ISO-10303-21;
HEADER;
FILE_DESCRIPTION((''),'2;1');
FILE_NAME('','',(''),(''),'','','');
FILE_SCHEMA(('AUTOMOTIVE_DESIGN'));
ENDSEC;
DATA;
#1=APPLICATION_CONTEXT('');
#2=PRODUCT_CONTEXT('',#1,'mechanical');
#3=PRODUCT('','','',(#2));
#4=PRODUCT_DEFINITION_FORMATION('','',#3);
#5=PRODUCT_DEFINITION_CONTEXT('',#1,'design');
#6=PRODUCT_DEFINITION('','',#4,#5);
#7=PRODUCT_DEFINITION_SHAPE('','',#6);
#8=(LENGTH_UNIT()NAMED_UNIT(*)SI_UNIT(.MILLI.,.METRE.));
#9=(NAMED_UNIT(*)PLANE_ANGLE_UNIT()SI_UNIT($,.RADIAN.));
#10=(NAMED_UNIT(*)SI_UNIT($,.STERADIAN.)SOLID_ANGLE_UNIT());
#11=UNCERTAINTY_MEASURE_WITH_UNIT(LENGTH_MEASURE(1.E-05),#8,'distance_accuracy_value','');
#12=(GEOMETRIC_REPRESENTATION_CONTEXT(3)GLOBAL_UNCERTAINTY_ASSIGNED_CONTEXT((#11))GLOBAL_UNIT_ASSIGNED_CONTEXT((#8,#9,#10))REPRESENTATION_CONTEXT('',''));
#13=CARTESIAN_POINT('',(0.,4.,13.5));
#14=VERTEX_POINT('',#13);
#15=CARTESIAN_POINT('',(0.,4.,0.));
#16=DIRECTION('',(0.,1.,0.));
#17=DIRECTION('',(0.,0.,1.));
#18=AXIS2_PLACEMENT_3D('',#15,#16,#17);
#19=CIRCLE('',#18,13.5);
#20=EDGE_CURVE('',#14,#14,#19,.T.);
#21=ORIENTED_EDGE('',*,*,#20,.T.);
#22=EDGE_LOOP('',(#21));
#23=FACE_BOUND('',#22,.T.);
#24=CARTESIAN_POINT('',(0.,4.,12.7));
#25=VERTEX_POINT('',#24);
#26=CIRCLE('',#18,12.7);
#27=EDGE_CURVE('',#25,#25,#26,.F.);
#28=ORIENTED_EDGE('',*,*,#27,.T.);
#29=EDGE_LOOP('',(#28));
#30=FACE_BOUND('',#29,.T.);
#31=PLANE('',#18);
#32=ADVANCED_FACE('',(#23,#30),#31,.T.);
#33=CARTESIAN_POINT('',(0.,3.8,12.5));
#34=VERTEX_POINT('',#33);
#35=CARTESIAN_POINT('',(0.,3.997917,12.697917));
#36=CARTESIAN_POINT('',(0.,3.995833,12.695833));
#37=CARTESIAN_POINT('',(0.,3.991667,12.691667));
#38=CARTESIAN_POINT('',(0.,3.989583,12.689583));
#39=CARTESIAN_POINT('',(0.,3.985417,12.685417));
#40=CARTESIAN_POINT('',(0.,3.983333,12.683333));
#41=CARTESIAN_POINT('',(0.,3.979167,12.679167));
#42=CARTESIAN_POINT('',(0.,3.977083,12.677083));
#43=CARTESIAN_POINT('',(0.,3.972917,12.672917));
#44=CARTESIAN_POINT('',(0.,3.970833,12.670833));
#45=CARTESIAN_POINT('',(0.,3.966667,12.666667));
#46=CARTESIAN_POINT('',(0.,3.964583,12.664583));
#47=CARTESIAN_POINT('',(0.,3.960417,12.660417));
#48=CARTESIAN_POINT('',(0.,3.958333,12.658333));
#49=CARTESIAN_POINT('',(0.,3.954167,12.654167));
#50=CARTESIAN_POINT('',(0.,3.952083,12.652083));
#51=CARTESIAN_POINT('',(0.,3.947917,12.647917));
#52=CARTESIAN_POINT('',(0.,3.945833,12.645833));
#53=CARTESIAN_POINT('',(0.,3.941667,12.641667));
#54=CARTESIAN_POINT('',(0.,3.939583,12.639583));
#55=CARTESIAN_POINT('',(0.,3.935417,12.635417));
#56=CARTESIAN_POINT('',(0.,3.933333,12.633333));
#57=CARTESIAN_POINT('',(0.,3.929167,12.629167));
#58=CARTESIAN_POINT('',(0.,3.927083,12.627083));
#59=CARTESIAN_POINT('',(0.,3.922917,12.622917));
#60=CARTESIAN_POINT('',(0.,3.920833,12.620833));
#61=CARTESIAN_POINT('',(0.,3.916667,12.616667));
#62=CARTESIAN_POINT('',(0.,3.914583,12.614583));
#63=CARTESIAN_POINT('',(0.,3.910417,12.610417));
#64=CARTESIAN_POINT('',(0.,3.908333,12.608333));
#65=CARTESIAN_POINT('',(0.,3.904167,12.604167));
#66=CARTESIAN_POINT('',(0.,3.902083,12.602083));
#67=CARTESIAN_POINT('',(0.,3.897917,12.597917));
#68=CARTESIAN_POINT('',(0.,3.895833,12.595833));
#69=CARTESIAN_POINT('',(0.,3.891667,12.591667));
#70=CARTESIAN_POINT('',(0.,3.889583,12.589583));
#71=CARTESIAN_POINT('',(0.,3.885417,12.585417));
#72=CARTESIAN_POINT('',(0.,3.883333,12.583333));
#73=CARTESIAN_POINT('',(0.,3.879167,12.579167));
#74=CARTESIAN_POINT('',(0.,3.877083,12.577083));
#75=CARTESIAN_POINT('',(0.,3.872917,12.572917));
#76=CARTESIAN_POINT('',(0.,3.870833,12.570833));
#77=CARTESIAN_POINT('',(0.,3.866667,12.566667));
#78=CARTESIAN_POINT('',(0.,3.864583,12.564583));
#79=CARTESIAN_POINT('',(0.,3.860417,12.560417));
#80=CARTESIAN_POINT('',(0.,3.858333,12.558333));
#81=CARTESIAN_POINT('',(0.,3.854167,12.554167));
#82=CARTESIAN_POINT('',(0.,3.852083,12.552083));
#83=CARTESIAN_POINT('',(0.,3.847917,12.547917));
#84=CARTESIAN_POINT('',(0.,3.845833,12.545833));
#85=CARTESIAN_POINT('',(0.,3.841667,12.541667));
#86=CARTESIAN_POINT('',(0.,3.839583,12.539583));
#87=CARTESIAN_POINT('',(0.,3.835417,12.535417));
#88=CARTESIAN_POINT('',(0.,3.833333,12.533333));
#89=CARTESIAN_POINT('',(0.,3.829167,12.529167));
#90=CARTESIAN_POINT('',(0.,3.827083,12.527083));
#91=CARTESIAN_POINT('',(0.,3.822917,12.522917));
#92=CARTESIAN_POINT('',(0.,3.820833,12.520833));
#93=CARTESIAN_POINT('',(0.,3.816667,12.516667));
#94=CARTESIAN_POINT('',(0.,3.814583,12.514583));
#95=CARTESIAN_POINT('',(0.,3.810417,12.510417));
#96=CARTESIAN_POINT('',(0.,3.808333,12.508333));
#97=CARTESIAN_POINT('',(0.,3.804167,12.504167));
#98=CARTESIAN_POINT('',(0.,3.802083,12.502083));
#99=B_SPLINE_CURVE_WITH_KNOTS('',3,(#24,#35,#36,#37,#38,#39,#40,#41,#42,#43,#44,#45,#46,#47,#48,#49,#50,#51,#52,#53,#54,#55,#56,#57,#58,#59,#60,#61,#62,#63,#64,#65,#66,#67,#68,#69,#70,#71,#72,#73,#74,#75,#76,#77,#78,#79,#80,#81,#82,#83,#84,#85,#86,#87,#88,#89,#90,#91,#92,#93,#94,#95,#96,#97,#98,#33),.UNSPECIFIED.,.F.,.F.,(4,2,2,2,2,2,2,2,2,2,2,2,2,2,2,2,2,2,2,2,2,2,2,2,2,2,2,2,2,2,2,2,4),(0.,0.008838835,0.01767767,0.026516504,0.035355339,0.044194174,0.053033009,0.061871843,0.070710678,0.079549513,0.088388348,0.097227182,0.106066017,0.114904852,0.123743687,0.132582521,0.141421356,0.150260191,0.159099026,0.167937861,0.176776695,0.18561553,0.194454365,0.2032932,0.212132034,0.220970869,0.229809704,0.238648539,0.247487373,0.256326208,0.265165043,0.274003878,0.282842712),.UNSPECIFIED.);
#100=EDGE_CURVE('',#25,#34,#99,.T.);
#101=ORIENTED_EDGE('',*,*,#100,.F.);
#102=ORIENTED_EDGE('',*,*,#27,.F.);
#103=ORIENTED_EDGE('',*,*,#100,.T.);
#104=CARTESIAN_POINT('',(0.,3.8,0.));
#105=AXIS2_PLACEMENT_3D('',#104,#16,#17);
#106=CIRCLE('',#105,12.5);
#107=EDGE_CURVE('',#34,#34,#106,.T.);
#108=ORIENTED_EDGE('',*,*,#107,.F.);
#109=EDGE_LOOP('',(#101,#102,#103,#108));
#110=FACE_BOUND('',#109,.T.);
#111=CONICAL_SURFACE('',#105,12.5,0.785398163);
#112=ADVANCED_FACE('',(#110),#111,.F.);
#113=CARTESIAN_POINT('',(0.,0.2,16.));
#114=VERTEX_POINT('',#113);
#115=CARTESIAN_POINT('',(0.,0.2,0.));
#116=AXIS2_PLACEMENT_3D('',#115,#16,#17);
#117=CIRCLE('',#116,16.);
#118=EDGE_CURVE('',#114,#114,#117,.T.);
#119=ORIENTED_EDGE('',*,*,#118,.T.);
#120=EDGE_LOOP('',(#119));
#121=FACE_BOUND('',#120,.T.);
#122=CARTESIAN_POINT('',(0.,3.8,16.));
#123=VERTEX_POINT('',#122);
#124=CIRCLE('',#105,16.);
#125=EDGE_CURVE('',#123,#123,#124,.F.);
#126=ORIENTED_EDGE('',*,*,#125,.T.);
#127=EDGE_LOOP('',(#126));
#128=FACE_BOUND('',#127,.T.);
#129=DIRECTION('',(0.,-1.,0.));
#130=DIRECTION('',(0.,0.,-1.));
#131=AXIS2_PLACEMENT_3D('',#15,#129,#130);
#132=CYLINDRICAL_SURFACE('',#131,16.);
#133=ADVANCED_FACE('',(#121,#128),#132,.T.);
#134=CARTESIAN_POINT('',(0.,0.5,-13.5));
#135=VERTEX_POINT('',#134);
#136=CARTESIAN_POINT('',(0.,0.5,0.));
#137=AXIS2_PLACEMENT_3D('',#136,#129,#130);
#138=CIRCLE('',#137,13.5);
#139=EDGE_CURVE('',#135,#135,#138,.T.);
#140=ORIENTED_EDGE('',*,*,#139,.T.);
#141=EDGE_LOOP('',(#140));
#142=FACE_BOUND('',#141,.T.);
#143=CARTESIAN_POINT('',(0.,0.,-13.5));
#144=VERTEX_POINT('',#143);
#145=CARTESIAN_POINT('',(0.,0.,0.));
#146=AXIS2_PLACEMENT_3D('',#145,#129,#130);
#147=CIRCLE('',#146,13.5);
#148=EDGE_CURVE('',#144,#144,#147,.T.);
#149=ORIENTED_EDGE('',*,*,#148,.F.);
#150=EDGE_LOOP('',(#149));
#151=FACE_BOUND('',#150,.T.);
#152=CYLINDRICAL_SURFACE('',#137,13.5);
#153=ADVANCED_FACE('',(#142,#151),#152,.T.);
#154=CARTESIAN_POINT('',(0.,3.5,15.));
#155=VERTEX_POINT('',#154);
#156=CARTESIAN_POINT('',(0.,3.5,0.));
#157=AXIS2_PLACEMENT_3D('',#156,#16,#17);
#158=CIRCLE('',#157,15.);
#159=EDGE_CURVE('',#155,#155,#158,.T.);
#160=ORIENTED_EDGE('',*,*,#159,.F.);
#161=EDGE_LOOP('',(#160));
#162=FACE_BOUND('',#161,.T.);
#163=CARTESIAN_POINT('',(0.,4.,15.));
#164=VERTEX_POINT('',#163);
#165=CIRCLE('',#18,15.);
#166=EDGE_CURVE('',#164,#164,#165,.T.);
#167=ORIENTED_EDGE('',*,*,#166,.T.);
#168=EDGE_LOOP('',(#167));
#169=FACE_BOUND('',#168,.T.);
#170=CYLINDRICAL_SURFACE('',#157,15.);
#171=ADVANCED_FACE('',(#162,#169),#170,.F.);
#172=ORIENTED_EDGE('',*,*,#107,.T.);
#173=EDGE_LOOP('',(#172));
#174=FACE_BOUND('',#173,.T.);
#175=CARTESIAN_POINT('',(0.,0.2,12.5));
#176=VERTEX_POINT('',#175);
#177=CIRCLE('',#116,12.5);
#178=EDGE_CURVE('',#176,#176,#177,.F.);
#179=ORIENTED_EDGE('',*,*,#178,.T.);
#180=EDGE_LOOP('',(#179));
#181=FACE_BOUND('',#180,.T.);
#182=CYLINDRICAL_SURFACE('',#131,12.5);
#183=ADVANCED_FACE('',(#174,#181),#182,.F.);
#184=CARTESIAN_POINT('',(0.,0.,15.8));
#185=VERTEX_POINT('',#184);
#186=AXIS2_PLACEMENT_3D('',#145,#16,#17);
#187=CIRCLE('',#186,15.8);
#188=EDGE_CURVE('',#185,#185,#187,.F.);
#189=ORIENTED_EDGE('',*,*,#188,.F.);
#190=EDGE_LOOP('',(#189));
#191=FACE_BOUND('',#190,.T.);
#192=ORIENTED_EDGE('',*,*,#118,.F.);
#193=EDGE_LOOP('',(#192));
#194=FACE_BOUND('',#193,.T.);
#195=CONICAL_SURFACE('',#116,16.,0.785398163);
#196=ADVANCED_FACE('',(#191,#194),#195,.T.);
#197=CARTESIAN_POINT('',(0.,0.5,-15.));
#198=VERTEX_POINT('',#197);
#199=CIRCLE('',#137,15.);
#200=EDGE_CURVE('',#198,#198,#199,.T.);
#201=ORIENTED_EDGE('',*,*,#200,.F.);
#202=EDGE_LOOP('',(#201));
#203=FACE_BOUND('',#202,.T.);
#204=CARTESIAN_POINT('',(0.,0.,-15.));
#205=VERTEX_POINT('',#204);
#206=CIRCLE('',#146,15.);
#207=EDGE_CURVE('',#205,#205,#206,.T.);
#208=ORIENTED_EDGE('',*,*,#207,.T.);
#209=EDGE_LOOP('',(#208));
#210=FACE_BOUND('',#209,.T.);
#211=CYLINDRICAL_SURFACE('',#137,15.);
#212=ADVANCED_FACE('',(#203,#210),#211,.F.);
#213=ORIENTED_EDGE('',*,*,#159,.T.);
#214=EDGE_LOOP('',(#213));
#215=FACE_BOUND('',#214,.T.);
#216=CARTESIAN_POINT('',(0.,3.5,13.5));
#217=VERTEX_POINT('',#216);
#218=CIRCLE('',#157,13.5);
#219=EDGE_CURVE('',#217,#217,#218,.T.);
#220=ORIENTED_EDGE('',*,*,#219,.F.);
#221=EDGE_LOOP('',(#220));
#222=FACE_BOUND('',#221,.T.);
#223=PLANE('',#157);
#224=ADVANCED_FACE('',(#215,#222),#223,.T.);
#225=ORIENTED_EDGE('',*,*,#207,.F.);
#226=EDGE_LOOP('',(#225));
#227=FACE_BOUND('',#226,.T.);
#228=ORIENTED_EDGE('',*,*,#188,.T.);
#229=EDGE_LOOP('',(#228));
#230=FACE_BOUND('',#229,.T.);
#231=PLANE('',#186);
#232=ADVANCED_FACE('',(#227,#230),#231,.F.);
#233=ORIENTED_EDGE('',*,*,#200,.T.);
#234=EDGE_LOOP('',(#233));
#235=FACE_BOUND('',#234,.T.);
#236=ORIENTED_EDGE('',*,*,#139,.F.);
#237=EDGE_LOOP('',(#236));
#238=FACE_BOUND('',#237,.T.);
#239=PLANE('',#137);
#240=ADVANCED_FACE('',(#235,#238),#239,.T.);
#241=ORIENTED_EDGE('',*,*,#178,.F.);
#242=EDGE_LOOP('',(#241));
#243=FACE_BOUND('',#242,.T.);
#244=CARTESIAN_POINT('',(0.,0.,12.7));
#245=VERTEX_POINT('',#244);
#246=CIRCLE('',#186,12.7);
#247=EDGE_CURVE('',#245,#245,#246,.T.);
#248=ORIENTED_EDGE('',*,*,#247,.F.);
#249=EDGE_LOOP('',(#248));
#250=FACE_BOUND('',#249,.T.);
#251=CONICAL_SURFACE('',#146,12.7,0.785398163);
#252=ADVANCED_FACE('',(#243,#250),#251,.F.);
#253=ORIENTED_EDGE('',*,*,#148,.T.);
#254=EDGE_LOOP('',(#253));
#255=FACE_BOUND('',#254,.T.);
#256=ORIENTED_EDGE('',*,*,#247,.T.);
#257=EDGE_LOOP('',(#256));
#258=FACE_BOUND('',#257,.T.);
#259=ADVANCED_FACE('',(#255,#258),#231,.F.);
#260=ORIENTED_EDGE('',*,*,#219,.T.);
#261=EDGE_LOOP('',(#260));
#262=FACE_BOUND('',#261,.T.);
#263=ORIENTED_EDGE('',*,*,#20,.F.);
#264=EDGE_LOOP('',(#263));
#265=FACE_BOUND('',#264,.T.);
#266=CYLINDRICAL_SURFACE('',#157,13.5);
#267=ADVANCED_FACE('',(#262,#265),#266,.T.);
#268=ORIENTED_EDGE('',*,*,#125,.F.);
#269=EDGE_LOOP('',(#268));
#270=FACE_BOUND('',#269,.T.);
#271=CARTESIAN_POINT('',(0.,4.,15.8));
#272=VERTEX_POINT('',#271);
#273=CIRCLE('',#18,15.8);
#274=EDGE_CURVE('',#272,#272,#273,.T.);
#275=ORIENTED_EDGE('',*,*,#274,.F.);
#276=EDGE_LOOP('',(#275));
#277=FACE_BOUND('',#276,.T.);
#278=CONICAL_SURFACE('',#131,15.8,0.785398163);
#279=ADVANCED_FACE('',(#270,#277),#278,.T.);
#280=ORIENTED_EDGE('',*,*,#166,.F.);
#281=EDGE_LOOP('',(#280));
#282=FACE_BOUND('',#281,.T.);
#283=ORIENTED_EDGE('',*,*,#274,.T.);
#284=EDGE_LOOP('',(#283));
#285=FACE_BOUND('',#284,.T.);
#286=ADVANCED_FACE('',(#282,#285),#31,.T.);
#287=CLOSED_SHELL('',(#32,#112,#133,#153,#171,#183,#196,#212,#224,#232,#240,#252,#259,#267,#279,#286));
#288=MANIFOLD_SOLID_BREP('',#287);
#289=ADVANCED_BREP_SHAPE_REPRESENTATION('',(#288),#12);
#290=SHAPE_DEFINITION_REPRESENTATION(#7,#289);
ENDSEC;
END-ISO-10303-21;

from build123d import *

# Parameters (mm, degrees)
SKETCH_1_R          = 16
SKETCH_1_R_2        = 12.5
EXTRUDE_1_DEPTH     = 4
CHAMFER_1_SIZE      = 0.2
SKETCH_2_R          = 15
SKETCH_2_R_2        = 13.5
CUT_EXTRUDE_1_DEPTH = 0.5
CUT_EXTRUDE_START   = -0.5
SKETCH_3_R          = 15
SKETCH_3_R_2        = 13.5
CUT_EXTRUDE_2_DEPTH = 0.5


with BuildPart() as part:
    # 草图1 → 凸台-拉伸1 (new body)
    with BuildSketch(Plane(origin=(0, 0, 0), x_dir=(1, 0, 0), z_dir=(0, 1, 0))):
        with Locations(Location((0, 0, 0), (0, 0, 270))):
            Circle(SKETCH_1_R)
        with Locations(Location((0, 0, 0), (0, 0, 270))):
            Circle(SKETCH_1_R_2, mode=Mode.SUBTRACT)
    extrude(amount=EXTRUDE_1_DEPTH)

    # 倒角1
    chamfer_1_edges = [part.edges().sort_by_distance(p)[0] for p in [
        (0, 0, -16),
        (0, 4, -16),
        (0, 0, -12.5),
        (0, 4, -12.5),
    ]]
    chamfer(chamfer_1_edges, length=CHAMFER_1_SIZE)

    # 草图2 → 切除-拉伸1 (cut)
    with BuildSketch(Plane(origin=(0, 4, 0), x_dir=(1, 0, 0), z_dir=(0, 1, 0))):
        with Locations(Location((0, 0, 0), (0, 0, 270))):
            Circle(SKETCH_2_R)
        with Locations(Location((0, 0, 0), (0, 0, 270))):
            Circle(SKETCH_2_R_2, mode=Mode.SUBTRACT)
    extrude(amount=-CUT_EXTRUDE_1_DEPTH, mode=Mode.SUBTRACT)

    # 草图3 → 切除-拉伸2 (cut)
    with BuildSketch(Plane.XZ.offset(CUT_EXTRUDE_START)):
        with Locations(Location((0, 0, 0), (0, 0, 90))):
            Circle(SKETCH_3_R)
        with Locations(Location((0, 0, 0), (0, 0, 90))):
            Circle(SKETCH_3_R_2, mode=Mode.SUBTRACT)
    extrude(amount=CUT_EXTRUDE_2_DEPTH, mode=Mode.SUBTRACT)


solid = part.part
